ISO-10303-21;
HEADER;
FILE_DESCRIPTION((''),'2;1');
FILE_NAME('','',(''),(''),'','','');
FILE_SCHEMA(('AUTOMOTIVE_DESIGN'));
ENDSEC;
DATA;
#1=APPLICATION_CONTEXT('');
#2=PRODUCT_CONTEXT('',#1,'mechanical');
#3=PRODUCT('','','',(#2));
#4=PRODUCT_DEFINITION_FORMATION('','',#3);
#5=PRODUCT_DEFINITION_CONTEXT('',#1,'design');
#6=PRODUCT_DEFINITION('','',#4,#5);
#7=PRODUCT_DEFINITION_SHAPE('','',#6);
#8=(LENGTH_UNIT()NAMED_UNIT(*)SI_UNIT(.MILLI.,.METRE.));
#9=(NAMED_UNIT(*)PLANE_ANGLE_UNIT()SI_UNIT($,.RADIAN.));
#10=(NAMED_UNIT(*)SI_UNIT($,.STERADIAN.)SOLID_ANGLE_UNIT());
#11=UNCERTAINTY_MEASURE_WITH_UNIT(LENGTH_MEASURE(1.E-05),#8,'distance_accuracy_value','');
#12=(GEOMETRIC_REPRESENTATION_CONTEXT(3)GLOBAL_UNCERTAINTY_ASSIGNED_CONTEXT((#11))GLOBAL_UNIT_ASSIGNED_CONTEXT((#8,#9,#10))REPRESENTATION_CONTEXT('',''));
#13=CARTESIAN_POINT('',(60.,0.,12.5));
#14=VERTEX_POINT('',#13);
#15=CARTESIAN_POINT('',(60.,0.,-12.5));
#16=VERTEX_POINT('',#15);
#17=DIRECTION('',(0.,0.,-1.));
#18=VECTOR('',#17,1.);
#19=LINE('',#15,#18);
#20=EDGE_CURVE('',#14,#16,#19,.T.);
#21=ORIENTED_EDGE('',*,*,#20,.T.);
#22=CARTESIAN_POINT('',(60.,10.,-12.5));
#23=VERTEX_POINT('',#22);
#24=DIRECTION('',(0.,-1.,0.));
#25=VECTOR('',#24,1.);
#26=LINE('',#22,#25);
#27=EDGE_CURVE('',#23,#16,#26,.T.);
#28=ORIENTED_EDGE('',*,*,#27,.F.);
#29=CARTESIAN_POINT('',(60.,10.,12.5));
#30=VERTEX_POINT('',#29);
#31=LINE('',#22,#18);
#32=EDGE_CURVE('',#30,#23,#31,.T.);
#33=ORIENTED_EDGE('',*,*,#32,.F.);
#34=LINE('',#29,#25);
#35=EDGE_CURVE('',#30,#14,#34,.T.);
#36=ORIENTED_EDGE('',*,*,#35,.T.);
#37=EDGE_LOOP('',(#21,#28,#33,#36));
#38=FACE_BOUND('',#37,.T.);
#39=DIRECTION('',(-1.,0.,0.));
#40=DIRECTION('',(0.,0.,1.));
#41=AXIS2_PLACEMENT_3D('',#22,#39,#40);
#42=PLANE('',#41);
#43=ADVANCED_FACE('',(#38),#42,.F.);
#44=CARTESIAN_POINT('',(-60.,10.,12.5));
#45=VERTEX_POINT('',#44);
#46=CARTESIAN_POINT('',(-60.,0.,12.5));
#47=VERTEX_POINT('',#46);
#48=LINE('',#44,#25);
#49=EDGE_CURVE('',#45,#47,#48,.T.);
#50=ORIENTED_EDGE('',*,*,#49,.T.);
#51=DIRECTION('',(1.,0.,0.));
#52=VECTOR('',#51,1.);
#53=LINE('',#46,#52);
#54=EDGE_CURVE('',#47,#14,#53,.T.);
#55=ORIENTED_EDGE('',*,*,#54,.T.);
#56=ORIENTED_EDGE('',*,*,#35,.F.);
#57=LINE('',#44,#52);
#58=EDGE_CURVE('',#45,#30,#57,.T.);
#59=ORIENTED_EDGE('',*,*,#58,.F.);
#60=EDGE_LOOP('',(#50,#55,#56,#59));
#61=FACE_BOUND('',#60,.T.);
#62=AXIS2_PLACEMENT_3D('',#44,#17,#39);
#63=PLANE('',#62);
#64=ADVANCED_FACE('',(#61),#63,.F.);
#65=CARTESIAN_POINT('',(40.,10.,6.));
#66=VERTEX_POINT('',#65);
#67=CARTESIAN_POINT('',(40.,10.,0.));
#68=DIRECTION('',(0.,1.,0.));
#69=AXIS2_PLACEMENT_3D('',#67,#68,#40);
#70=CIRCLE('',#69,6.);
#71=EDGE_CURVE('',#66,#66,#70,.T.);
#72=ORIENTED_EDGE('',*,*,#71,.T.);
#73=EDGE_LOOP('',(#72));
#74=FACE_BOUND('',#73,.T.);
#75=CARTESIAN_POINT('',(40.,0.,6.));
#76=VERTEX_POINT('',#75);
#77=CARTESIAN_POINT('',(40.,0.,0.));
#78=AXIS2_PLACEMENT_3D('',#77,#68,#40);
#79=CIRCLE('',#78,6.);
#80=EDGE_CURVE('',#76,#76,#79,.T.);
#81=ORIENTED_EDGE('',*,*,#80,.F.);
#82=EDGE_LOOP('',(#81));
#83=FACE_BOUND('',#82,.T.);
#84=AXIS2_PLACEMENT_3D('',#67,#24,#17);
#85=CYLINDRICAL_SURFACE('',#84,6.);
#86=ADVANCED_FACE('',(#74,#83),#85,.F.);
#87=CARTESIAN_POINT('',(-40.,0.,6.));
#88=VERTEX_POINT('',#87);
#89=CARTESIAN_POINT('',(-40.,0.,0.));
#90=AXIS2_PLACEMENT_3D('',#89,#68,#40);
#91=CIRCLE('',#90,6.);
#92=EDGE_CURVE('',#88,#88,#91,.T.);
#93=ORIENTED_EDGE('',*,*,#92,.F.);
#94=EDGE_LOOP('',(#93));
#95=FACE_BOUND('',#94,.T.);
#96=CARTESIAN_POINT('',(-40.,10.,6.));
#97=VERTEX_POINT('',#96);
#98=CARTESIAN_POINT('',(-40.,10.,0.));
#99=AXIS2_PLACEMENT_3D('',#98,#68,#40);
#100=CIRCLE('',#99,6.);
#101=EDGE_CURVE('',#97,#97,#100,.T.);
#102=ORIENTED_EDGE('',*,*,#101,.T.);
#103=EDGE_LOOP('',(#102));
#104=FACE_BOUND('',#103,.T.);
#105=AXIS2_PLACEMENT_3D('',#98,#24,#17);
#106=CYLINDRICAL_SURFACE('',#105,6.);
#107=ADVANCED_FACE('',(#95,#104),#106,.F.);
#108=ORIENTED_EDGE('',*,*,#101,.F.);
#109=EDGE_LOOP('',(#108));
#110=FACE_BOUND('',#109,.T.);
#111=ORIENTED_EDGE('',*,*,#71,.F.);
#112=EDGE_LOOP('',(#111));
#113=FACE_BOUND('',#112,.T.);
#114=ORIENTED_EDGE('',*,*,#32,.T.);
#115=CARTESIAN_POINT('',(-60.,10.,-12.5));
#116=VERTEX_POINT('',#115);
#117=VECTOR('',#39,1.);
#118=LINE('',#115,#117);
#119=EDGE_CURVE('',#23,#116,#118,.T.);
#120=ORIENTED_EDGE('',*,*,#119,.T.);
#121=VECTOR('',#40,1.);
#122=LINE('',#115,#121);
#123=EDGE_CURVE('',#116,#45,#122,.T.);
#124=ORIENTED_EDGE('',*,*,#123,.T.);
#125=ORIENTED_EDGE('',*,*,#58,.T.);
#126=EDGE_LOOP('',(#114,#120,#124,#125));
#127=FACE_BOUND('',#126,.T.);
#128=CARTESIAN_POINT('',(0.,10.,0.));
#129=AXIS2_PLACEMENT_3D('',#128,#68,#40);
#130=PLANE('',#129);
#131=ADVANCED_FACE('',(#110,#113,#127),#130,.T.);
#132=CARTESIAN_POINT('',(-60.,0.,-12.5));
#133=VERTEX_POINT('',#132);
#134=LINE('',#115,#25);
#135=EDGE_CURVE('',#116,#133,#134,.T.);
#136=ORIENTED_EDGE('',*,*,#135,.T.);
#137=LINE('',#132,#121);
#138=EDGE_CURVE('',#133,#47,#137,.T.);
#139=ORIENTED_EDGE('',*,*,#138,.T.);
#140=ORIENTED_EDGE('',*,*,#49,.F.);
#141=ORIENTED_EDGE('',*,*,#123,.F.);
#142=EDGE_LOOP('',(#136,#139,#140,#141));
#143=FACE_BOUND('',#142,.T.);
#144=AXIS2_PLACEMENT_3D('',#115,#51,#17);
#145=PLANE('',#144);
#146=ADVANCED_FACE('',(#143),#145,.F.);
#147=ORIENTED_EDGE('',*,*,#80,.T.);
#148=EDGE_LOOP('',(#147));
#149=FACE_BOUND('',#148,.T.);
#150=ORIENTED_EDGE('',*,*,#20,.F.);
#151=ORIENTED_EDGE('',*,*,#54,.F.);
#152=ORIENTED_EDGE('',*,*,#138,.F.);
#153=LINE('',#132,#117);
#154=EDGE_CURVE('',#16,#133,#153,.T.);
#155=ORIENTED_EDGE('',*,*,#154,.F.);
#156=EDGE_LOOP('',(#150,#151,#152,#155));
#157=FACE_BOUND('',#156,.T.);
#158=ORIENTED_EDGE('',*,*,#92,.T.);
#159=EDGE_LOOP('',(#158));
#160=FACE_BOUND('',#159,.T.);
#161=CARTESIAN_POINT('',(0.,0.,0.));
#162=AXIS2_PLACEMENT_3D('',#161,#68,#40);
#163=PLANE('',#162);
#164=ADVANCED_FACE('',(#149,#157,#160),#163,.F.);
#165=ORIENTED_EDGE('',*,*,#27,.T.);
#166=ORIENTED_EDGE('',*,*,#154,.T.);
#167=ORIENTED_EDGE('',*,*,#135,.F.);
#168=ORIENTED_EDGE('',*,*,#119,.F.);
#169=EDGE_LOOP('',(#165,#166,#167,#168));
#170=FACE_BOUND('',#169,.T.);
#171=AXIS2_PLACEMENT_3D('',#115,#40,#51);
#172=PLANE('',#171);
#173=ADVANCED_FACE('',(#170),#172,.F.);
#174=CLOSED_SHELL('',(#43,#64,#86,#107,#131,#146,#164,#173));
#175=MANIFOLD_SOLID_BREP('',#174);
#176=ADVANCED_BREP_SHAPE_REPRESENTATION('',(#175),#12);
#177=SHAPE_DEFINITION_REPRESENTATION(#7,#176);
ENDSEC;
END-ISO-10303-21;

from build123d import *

# Parameters (mm, degrees)
SKETCH1_W           = 120
SKETCH1_H           = 25
SKETCH1_R           = 6
BOSS_EXTRUDE1_DEPTH = 10


with BuildPart() as part:
    # Sketch1 → Boss-Extrude1 (new body)
    with BuildSketch(Plane(origin=(0, 0, 0), x_dir=(1, 0, 0), z_dir=(0, 1, 0))):
        Rectangle(SKETCH1_W, SKETCH1_H)
        with Locations(Location((40, 0, 0), (0, 0, 270))):
            Circle(SKETCH1_R, mode=Mode.SUBTRACT)
        with Locations(Location((-40, 0, 0), (0, 0, 270))):
            Circle(SKETCH1_R, mode=Mode.SUBTRACT)
    extrude(amount=BOSS_EXTRUDE1_DEPTH)


solid = part.part
